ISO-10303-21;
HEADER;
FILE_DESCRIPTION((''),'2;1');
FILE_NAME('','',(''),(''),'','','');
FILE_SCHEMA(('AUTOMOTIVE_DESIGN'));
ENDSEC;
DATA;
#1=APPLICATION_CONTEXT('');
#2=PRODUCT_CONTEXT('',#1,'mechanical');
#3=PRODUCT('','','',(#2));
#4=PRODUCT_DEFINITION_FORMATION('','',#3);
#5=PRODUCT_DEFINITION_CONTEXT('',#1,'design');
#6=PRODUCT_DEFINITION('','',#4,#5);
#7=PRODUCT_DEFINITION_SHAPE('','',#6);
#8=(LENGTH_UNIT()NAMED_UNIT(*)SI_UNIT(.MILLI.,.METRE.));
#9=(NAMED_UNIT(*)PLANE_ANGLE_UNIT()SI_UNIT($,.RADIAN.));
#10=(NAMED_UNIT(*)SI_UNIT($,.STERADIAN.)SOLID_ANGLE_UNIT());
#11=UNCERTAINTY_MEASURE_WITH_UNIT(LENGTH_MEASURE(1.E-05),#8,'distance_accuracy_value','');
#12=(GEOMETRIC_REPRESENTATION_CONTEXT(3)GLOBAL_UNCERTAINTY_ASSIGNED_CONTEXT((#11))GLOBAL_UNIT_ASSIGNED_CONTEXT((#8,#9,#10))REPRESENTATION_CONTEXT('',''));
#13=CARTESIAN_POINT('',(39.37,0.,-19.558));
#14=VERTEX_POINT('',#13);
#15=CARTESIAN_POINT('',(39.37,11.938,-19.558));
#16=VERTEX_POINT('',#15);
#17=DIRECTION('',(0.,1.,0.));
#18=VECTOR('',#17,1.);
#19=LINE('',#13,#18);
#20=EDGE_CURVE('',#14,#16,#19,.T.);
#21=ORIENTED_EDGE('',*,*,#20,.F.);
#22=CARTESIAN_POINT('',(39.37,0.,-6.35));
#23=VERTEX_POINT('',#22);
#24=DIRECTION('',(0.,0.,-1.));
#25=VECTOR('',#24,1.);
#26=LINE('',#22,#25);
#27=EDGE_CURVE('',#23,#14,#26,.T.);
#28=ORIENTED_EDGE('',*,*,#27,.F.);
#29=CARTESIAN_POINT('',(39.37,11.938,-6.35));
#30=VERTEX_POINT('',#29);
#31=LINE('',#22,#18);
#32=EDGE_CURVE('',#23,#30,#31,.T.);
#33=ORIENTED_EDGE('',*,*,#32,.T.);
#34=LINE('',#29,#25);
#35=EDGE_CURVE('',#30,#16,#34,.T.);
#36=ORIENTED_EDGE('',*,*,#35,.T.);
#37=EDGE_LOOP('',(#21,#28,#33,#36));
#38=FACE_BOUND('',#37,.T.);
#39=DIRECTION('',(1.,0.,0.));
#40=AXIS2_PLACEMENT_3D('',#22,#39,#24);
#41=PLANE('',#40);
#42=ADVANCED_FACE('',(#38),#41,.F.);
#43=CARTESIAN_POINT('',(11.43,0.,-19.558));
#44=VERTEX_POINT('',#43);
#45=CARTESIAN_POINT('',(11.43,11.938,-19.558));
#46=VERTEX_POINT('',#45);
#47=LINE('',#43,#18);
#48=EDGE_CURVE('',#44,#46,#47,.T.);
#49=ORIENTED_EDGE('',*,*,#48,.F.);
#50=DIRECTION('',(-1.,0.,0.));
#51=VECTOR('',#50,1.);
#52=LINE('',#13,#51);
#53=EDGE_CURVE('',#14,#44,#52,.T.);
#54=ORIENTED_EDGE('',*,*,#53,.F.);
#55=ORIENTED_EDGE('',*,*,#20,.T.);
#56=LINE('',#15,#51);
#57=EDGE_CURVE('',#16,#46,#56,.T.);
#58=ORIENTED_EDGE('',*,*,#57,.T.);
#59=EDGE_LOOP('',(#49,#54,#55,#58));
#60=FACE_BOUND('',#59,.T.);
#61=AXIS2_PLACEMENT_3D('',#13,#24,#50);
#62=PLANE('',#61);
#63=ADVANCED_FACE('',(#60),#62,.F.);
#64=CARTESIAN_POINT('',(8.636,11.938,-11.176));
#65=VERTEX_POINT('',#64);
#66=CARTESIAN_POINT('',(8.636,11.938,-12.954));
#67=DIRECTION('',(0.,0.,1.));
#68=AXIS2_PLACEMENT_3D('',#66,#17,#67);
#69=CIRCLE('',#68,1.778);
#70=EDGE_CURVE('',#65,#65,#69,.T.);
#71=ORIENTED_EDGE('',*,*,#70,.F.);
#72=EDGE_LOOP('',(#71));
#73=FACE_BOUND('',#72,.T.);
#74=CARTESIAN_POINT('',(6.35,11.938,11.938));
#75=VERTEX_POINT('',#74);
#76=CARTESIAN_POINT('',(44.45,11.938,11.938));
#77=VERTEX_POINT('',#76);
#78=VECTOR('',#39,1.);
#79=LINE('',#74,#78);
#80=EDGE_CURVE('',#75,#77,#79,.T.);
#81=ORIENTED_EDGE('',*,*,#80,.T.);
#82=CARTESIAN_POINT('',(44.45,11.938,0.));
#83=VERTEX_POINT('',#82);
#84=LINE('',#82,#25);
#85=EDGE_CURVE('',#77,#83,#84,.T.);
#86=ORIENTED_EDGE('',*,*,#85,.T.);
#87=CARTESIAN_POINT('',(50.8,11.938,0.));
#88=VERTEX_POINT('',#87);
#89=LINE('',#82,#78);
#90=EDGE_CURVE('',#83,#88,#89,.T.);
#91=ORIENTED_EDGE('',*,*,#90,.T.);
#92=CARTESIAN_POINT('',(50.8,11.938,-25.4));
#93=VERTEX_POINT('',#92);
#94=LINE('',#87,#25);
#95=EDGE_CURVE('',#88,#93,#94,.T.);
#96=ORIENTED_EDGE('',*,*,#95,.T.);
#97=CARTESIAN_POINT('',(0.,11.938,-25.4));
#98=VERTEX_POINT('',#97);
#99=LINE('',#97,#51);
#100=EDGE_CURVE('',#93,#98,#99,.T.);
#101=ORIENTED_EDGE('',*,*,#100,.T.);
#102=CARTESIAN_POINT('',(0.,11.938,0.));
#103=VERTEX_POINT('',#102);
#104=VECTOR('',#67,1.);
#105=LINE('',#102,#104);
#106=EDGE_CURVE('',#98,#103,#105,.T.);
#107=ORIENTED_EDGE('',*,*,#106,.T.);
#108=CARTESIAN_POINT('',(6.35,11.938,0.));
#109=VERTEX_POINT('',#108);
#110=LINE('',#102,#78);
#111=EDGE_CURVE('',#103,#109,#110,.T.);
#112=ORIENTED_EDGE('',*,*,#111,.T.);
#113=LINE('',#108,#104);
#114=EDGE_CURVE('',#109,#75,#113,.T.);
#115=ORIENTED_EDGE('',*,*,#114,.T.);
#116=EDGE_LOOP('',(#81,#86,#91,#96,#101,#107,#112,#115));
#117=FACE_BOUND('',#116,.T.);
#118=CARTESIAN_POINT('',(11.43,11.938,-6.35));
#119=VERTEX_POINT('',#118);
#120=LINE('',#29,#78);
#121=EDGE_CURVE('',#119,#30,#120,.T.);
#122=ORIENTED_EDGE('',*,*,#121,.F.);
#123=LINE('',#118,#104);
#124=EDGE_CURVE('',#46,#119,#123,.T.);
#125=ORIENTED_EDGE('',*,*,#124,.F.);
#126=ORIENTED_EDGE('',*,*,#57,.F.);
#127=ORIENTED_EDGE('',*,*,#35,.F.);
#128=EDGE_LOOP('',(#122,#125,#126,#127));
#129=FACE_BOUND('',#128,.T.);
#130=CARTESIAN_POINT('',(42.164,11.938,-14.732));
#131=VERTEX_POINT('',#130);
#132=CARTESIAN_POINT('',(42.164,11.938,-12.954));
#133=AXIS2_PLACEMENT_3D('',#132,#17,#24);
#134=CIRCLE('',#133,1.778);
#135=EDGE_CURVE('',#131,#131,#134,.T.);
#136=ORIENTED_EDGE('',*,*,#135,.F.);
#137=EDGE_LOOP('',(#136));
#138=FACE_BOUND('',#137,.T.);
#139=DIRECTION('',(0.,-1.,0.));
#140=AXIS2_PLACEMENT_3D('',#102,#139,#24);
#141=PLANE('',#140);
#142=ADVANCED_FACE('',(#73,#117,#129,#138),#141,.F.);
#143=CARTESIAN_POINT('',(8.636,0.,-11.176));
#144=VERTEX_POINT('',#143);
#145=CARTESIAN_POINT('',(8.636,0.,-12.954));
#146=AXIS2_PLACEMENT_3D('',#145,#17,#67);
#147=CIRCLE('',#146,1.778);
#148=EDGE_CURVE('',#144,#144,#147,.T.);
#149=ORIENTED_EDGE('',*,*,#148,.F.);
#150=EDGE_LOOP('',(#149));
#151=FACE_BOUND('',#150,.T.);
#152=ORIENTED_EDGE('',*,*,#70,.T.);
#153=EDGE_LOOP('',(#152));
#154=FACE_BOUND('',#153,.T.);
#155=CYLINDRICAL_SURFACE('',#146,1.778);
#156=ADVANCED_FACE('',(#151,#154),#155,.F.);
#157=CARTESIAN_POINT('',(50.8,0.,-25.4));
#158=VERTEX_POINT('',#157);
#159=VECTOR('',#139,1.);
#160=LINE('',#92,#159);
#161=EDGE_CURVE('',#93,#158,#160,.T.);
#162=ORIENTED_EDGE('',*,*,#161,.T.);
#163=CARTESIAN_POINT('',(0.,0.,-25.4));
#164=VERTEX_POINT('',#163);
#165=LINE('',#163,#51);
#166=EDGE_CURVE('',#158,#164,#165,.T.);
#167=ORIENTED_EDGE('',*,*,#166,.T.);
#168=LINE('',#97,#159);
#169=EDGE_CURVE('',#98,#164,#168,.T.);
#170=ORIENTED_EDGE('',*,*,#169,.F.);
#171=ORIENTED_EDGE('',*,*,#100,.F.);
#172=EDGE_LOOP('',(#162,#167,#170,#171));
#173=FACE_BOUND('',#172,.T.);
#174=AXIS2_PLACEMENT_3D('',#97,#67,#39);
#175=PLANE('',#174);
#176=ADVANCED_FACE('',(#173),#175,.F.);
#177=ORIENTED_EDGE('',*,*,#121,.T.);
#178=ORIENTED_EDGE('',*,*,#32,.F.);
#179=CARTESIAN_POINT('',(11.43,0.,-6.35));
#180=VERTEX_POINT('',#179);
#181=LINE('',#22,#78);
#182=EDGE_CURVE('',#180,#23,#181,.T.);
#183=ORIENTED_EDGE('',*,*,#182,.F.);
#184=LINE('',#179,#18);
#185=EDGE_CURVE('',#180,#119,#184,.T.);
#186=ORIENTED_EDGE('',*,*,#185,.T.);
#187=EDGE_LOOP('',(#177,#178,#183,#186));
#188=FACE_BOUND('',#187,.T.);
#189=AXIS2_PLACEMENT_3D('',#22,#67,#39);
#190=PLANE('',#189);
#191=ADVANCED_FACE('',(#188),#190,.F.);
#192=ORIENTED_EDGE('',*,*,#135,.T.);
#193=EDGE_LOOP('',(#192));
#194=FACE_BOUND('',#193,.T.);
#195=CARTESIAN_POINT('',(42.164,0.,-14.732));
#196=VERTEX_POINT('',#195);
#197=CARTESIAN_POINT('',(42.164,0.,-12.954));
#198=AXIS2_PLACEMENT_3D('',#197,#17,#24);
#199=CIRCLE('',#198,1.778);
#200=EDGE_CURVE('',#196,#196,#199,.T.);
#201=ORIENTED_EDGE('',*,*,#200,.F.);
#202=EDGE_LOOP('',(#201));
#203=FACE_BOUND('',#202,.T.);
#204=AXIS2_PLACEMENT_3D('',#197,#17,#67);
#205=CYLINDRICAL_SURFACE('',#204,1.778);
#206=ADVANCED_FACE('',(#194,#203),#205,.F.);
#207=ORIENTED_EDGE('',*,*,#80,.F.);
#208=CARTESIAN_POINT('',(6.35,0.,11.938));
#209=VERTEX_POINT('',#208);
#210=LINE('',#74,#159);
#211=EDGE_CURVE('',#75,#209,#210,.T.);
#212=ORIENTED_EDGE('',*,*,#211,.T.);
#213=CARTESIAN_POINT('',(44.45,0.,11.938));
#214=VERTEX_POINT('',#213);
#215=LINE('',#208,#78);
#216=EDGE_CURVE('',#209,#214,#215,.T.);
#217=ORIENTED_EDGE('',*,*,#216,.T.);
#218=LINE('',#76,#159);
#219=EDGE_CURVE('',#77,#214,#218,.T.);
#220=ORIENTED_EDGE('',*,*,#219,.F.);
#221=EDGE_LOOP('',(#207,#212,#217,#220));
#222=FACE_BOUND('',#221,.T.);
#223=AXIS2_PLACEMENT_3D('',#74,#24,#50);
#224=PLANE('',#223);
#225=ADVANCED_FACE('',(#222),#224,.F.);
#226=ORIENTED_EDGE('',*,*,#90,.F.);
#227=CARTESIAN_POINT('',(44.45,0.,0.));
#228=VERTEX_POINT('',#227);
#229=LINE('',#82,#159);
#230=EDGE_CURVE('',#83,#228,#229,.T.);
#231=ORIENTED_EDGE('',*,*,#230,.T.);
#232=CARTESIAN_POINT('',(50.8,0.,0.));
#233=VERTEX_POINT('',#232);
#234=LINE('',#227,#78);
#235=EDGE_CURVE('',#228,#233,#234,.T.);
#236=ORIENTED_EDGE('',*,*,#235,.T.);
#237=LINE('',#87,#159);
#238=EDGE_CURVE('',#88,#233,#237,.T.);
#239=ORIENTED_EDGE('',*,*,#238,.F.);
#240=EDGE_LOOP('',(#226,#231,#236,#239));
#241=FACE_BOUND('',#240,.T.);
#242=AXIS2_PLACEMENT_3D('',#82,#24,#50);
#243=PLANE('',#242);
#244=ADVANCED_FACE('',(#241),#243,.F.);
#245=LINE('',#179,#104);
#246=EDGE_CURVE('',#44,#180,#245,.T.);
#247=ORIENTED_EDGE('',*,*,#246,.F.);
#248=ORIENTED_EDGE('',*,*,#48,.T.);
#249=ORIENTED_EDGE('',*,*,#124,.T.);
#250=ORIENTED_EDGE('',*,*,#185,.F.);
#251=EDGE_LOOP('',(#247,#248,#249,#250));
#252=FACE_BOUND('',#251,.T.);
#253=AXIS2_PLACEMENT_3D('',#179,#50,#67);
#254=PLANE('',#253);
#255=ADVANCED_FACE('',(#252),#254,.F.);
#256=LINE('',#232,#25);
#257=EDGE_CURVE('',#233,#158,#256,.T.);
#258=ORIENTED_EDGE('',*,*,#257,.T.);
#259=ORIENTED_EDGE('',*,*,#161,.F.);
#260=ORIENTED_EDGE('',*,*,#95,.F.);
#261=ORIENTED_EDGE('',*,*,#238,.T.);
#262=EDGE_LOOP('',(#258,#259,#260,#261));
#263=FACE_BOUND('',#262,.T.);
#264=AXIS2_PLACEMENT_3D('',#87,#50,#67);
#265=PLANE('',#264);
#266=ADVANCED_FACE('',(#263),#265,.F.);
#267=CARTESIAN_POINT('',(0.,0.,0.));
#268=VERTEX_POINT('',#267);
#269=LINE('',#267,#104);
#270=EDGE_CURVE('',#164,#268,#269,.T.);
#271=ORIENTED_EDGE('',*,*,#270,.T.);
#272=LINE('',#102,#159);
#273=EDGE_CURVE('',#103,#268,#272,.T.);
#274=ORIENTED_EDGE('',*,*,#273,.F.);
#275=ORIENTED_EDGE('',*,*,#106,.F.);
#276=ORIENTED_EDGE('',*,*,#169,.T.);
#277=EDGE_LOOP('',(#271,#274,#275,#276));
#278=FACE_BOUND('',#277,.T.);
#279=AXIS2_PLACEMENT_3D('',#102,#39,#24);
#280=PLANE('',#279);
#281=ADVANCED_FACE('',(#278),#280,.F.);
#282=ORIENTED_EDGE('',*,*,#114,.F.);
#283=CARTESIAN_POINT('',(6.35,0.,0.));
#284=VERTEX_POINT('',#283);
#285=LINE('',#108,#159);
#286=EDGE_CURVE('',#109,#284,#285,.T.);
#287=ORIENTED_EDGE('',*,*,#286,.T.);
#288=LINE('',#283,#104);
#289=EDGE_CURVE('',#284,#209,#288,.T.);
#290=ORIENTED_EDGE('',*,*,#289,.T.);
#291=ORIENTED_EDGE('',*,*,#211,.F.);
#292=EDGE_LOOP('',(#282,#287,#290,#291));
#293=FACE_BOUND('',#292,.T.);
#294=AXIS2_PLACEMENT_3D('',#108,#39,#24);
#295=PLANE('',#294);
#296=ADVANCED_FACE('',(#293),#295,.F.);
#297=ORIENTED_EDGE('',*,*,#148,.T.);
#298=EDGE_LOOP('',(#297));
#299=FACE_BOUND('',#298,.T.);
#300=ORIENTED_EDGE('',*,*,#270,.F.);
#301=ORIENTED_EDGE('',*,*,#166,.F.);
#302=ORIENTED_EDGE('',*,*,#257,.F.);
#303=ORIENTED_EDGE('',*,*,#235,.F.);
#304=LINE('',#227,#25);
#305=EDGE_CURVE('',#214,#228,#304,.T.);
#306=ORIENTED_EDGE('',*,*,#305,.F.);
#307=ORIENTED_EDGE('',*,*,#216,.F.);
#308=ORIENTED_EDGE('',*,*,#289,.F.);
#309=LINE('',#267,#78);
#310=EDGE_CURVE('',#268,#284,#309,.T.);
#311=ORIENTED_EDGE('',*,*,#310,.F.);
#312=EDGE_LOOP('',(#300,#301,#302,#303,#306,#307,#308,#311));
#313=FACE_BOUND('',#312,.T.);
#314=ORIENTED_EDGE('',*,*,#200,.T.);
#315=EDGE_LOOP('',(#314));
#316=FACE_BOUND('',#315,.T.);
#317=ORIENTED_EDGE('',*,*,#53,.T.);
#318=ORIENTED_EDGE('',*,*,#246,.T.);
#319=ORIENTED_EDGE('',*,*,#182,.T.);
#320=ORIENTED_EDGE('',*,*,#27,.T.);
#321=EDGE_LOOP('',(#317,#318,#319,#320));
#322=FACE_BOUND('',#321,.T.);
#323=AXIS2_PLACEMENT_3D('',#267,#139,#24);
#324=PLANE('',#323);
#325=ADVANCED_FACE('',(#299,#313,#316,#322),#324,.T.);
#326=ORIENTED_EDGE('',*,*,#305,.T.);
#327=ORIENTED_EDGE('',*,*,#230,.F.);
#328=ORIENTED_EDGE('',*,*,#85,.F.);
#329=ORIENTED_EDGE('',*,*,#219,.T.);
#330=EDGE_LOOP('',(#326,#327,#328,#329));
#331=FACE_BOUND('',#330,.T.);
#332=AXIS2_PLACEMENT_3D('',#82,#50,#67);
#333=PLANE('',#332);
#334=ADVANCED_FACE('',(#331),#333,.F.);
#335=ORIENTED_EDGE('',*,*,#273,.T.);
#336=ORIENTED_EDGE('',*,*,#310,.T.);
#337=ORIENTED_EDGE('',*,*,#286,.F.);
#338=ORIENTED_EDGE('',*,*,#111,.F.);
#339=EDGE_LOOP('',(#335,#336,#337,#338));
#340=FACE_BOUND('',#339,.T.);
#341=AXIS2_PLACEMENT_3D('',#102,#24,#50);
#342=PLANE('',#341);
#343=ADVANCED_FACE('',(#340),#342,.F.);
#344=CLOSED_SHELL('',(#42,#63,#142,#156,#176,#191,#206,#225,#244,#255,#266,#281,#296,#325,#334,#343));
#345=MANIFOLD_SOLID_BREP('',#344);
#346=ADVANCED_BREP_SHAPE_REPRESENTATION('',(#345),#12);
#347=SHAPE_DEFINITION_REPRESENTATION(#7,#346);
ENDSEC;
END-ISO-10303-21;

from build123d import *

# Parameters (mm, degrees)
TILT_MOUNT_DEPTH              = 11.938
SERVO_HOLE_SKETCH_W           = 27.94
SERVO_HOLE_SKETCH_H           = 13.208
SERVO_HOLE_DEPTH              = 12.938
MOUNTING_HOLES_GUIDE_SKETCH_R = 1.778
MOUNTING_HOLES_DEPTH          = 12.938


with BuildPart() as part:
    # Tilt Mount Sketch → Tilt Mount (new body)
    with BuildSketch(Plane(origin=(0, 0, 0), x_dir=(1, 0, 0), z_dir=(0, 1, 0))):
        Polygon((44.45, 0), (50.8, 0), (50.8, 25.4), (0, 25.4), (0, 0), (6.35, 0), (6.35, -11.938), (44.45, -11.938), align=None)
    extrude(amount=TILT_MOUNT_DEPTH)

    # Servo Hole Sketch → Servo Hole (cut, through all)
    with BuildSketch(Plane(origin=(0, 11.938, 0), x_dir=(1, 0, 0), z_dir=(0, 1, 0))):
        with Locations((25.4, 12.954)):
            Rectangle(SERVO_HOLE_SKETCH_W, SERVO_HOLE_SKETCH_H)
    extrude(amount=-SERVO_HOLE_DEPTH, mode=Mode.SUBTRACT)

    # Mounting Holes Guide Sketch → Mounting Holes (cut, through all)
    with BuildSketch(Plane(origin=(0, 11.938, 0), x_dir=(1, 0, 0), z_dir=(0, 1, 0))):
        with Locations((8.636, 12.954)):
            Circle(MOUNTING_HOLES_GUIDE_SKETCH_R)
        with Locations((42.164, 12.954)):
            Circle(MOUNTING_HOLES_GUIDE_SKETCH_R)
    extrude(amount=-MOUNTING_HOLES_DEPTH, mode=Mode.SUBTRACT)


solid = part.part
